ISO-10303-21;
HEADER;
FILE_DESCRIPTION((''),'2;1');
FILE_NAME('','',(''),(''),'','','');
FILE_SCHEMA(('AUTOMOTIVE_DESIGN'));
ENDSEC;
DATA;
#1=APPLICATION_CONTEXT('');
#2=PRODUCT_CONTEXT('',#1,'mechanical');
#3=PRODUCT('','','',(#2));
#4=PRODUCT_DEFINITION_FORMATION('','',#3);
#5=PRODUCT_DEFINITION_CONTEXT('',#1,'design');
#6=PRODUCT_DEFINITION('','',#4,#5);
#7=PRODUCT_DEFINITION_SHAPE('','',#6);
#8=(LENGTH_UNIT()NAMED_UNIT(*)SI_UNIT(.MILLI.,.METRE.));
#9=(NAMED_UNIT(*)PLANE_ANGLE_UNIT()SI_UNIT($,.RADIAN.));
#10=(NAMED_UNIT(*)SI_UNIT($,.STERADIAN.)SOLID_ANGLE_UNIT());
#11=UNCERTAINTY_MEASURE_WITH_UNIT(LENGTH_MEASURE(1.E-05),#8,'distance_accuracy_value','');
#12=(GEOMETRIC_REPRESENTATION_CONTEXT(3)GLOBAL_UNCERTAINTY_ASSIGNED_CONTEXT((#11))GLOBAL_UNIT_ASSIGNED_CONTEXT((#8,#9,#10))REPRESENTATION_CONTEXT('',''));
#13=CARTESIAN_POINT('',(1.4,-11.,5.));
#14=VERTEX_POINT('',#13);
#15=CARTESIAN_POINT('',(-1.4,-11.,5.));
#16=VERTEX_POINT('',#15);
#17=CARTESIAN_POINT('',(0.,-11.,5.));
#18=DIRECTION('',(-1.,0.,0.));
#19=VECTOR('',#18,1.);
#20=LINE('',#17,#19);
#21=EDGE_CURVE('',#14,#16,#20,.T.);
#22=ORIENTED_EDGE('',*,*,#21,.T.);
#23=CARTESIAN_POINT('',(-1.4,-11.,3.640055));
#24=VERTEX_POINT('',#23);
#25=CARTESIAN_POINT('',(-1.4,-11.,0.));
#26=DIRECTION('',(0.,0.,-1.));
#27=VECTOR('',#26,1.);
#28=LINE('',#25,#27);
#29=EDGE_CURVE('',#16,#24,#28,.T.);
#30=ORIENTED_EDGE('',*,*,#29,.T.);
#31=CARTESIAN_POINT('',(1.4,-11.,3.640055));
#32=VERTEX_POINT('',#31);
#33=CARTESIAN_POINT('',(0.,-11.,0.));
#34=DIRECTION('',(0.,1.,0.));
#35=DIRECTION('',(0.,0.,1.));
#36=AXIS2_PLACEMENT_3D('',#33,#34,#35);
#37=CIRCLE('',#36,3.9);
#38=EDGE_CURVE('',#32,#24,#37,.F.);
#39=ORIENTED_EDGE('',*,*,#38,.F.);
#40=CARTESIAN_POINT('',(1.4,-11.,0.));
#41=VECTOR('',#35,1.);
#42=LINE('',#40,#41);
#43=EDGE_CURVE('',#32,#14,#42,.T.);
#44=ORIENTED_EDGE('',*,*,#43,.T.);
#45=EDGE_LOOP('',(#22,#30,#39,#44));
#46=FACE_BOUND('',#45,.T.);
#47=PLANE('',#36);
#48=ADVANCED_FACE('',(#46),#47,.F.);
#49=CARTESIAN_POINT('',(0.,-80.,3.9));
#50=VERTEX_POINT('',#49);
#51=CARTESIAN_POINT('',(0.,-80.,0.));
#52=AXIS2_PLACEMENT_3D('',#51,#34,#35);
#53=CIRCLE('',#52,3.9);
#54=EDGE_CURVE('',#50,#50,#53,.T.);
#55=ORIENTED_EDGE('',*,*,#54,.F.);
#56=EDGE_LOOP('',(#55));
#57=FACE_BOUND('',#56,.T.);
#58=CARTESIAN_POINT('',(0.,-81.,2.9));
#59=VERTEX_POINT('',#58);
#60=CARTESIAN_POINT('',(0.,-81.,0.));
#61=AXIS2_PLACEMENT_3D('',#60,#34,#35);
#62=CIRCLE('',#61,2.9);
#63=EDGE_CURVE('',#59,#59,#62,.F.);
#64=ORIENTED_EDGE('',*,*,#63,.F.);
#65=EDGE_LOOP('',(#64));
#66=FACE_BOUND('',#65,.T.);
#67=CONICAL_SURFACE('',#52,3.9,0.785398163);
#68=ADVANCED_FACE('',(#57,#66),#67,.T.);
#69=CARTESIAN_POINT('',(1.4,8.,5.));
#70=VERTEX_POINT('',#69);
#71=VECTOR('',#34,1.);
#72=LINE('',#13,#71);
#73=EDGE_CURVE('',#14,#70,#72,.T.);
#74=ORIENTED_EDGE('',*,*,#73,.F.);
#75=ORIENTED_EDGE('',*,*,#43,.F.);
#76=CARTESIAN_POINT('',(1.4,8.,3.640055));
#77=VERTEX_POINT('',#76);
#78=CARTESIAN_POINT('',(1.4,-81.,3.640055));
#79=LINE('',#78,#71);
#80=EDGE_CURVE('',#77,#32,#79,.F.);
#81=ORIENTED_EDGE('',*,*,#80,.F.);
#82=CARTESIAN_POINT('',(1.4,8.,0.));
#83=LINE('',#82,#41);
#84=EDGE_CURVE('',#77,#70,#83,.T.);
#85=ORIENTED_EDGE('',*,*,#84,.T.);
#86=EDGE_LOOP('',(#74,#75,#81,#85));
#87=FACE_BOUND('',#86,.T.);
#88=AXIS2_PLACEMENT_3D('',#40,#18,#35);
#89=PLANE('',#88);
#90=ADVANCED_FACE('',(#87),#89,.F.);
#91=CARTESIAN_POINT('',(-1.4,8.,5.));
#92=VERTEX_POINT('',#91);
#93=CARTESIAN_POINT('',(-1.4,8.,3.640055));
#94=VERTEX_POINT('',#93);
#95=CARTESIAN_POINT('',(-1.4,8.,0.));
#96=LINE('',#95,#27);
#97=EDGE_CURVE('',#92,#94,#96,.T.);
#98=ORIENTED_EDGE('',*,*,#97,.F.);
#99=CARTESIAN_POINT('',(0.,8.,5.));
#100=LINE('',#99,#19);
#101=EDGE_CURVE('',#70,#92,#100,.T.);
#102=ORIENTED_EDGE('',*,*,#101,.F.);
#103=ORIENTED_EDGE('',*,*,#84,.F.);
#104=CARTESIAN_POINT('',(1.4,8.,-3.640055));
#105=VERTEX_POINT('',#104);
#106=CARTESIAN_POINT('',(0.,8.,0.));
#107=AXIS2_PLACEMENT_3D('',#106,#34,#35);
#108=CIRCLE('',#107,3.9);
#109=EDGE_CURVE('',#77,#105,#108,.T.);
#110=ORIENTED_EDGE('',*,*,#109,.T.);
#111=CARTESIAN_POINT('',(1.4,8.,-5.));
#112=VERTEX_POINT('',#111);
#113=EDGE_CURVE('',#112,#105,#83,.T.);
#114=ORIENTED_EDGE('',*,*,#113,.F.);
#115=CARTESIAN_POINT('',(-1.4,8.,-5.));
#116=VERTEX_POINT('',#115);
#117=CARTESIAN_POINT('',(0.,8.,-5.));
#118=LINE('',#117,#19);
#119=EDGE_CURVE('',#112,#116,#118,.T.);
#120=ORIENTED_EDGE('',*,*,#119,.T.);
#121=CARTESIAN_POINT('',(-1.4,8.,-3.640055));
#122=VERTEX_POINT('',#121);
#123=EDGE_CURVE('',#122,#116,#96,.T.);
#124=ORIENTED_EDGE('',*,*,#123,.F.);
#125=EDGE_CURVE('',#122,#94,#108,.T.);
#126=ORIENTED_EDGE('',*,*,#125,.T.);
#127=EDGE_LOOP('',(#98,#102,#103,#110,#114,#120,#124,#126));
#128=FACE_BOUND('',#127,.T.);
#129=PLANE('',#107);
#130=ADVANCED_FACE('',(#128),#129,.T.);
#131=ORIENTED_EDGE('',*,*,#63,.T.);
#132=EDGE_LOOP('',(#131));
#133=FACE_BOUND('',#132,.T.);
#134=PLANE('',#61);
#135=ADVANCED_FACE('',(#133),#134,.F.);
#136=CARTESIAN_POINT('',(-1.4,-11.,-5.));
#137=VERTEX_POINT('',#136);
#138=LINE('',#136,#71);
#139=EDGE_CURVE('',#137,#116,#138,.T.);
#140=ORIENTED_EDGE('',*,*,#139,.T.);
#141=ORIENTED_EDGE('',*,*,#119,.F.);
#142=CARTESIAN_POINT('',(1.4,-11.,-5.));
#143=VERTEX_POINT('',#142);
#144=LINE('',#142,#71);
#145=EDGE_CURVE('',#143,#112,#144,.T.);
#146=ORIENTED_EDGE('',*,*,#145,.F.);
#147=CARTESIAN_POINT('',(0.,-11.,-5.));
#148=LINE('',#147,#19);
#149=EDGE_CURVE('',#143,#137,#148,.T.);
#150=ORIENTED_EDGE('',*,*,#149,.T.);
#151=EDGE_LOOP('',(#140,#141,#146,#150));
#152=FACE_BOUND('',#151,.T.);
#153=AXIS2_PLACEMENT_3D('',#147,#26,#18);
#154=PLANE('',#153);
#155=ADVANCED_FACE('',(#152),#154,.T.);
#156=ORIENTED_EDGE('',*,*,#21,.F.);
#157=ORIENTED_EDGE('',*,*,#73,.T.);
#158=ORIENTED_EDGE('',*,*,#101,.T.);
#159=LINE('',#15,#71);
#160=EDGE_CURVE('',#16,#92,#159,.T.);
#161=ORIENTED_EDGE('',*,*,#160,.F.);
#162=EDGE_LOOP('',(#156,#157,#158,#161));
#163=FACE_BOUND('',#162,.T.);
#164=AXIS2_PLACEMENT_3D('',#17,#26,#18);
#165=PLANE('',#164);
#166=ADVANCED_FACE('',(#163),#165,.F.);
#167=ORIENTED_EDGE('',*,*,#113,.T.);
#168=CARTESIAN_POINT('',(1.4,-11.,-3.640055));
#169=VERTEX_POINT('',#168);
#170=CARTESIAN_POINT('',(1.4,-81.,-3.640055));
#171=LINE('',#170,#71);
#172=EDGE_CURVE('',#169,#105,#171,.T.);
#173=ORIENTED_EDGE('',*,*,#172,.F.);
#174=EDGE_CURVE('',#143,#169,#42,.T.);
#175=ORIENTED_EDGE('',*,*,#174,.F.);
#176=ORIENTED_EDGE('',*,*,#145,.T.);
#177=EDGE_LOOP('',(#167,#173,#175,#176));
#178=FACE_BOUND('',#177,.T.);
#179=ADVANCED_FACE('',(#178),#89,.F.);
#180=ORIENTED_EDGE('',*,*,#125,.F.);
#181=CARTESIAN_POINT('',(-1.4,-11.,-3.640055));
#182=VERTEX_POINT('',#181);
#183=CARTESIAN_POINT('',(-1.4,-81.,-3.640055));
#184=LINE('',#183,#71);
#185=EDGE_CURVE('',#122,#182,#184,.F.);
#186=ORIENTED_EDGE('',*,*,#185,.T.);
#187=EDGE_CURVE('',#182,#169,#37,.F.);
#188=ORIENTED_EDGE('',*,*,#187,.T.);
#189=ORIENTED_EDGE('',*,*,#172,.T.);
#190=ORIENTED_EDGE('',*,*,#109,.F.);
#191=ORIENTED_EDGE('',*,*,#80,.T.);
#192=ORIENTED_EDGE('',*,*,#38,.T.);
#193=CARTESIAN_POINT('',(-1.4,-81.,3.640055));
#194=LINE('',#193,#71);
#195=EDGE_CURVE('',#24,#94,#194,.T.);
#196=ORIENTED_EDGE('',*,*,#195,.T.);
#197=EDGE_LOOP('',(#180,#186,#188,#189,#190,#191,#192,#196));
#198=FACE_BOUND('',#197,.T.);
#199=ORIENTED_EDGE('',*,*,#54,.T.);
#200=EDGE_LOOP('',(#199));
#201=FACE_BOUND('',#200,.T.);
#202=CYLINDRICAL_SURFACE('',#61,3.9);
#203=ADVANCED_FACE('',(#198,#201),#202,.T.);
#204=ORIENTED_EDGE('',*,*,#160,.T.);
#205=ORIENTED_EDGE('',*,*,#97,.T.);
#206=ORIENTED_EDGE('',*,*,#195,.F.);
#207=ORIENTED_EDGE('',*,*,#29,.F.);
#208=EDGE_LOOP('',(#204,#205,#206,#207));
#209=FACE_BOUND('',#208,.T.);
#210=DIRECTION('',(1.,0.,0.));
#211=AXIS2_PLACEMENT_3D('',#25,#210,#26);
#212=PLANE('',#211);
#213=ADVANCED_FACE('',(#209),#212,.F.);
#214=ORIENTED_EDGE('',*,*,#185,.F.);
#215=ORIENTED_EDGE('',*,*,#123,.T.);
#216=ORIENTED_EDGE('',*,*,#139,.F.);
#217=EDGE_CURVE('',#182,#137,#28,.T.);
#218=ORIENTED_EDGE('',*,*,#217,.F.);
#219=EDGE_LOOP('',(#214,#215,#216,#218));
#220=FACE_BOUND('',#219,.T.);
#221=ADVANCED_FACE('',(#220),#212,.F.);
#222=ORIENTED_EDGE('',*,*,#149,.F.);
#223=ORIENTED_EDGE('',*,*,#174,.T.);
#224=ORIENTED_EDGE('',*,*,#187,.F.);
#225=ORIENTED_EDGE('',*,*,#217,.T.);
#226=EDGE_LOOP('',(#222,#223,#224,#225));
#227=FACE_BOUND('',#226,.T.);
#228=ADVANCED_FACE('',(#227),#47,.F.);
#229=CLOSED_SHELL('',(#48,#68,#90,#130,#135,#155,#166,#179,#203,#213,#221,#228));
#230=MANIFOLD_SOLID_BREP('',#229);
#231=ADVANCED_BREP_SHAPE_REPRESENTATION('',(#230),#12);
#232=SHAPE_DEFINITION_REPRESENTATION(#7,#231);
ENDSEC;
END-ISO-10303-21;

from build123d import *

# Parameters (mm, degrees)
ESQUISSE1_R             = 3.9
BOSS_EXTRU_1_DEPTH      = 8
BOSS_EXTRU_1_DEPTH_BACK = 81
BOSS_EXTRU_2_DEPTH      = 19
CHANFREIN1_SIZE         = 1


with BuildPart() as part:
    # Esquisse1 → Boss.-Extru.1 (new body, two sides)
    with BuildSketch(Plane(origin=(0, 0, 0), x_dir=(1, 0, 0), z_dir=(0, 1, 0))) as boss_extru_1_sk:
        Circle(ESQUISSE1_R)
    extrude(amount=BOSS_EXTRU_1_DEPTH)
    extrude(boss_extru_1_sk.sketch, amount=-BOSS_EXTRU_1_DEPTH_BACK)

    # Esquisse2 → Boss.-Extru.2 (add)
    with BuildSketch(Plane(origin=(0, 8, 0), x_dir=(1, 0, 0), z_dir=(0, 1, 0))):
        with BuildLine():
            Line((-1.4, 5), (-1.4, 3.640054945))
            ThreePointArc((-1.4, 3.640054945), (0, 3.9), (1.4, 3.640054945))
            Line((1.4, 3.640054945), (1.4, 5))
            Line((1.4, 5), (-1.4, 5))
        make_face()
        with BuildLine():
            ThreePointArc((1.4, -3.640054945), (0, -3.9), (-1.4, -3.640054945))
            Line((-1.4, -3.640054945), (-1.4, -5))
            Line((-1.4, -5), (1.4, -5))
            Line((1.4, -5), (1.4, -3.640054945))
        make_face()
        with BuildLine():
            Line((-1.4, 3.640054945), (-1.4, 0))
            Line((-1.4, 0), (1.4, 0))
            Line((1.4, 0), (1.4, 3.640054945))
            ThreePointArc((1.4, 3.640054945), (0, 3.9), (-1.4, 3.640054945))
        make_face()
        with BuildLine():
            Line((1.4, 0), (-1.4, 0))
            Line((-1.4, 0), (-1.4, -3.640054945))
            ThreePointArc((-1.4, -3.640054945), (0, -3.9), (1.4, -3.640054945))
            Line((1.4, -3.640054945), (1.4, 0))
        make_face()
    extrude(amount=-BOSS_EXTRU_2_DEPTH)

    # Chanfrein1
    chanfrein1_edges = [part.edges().sort_by_distance(p)[0] for p in [
        (-3.9, -81, 0),
    ]]
    chamfer(chanfrein1_edges, length=CHANFREIN1_SIZE)


solid = part.part
